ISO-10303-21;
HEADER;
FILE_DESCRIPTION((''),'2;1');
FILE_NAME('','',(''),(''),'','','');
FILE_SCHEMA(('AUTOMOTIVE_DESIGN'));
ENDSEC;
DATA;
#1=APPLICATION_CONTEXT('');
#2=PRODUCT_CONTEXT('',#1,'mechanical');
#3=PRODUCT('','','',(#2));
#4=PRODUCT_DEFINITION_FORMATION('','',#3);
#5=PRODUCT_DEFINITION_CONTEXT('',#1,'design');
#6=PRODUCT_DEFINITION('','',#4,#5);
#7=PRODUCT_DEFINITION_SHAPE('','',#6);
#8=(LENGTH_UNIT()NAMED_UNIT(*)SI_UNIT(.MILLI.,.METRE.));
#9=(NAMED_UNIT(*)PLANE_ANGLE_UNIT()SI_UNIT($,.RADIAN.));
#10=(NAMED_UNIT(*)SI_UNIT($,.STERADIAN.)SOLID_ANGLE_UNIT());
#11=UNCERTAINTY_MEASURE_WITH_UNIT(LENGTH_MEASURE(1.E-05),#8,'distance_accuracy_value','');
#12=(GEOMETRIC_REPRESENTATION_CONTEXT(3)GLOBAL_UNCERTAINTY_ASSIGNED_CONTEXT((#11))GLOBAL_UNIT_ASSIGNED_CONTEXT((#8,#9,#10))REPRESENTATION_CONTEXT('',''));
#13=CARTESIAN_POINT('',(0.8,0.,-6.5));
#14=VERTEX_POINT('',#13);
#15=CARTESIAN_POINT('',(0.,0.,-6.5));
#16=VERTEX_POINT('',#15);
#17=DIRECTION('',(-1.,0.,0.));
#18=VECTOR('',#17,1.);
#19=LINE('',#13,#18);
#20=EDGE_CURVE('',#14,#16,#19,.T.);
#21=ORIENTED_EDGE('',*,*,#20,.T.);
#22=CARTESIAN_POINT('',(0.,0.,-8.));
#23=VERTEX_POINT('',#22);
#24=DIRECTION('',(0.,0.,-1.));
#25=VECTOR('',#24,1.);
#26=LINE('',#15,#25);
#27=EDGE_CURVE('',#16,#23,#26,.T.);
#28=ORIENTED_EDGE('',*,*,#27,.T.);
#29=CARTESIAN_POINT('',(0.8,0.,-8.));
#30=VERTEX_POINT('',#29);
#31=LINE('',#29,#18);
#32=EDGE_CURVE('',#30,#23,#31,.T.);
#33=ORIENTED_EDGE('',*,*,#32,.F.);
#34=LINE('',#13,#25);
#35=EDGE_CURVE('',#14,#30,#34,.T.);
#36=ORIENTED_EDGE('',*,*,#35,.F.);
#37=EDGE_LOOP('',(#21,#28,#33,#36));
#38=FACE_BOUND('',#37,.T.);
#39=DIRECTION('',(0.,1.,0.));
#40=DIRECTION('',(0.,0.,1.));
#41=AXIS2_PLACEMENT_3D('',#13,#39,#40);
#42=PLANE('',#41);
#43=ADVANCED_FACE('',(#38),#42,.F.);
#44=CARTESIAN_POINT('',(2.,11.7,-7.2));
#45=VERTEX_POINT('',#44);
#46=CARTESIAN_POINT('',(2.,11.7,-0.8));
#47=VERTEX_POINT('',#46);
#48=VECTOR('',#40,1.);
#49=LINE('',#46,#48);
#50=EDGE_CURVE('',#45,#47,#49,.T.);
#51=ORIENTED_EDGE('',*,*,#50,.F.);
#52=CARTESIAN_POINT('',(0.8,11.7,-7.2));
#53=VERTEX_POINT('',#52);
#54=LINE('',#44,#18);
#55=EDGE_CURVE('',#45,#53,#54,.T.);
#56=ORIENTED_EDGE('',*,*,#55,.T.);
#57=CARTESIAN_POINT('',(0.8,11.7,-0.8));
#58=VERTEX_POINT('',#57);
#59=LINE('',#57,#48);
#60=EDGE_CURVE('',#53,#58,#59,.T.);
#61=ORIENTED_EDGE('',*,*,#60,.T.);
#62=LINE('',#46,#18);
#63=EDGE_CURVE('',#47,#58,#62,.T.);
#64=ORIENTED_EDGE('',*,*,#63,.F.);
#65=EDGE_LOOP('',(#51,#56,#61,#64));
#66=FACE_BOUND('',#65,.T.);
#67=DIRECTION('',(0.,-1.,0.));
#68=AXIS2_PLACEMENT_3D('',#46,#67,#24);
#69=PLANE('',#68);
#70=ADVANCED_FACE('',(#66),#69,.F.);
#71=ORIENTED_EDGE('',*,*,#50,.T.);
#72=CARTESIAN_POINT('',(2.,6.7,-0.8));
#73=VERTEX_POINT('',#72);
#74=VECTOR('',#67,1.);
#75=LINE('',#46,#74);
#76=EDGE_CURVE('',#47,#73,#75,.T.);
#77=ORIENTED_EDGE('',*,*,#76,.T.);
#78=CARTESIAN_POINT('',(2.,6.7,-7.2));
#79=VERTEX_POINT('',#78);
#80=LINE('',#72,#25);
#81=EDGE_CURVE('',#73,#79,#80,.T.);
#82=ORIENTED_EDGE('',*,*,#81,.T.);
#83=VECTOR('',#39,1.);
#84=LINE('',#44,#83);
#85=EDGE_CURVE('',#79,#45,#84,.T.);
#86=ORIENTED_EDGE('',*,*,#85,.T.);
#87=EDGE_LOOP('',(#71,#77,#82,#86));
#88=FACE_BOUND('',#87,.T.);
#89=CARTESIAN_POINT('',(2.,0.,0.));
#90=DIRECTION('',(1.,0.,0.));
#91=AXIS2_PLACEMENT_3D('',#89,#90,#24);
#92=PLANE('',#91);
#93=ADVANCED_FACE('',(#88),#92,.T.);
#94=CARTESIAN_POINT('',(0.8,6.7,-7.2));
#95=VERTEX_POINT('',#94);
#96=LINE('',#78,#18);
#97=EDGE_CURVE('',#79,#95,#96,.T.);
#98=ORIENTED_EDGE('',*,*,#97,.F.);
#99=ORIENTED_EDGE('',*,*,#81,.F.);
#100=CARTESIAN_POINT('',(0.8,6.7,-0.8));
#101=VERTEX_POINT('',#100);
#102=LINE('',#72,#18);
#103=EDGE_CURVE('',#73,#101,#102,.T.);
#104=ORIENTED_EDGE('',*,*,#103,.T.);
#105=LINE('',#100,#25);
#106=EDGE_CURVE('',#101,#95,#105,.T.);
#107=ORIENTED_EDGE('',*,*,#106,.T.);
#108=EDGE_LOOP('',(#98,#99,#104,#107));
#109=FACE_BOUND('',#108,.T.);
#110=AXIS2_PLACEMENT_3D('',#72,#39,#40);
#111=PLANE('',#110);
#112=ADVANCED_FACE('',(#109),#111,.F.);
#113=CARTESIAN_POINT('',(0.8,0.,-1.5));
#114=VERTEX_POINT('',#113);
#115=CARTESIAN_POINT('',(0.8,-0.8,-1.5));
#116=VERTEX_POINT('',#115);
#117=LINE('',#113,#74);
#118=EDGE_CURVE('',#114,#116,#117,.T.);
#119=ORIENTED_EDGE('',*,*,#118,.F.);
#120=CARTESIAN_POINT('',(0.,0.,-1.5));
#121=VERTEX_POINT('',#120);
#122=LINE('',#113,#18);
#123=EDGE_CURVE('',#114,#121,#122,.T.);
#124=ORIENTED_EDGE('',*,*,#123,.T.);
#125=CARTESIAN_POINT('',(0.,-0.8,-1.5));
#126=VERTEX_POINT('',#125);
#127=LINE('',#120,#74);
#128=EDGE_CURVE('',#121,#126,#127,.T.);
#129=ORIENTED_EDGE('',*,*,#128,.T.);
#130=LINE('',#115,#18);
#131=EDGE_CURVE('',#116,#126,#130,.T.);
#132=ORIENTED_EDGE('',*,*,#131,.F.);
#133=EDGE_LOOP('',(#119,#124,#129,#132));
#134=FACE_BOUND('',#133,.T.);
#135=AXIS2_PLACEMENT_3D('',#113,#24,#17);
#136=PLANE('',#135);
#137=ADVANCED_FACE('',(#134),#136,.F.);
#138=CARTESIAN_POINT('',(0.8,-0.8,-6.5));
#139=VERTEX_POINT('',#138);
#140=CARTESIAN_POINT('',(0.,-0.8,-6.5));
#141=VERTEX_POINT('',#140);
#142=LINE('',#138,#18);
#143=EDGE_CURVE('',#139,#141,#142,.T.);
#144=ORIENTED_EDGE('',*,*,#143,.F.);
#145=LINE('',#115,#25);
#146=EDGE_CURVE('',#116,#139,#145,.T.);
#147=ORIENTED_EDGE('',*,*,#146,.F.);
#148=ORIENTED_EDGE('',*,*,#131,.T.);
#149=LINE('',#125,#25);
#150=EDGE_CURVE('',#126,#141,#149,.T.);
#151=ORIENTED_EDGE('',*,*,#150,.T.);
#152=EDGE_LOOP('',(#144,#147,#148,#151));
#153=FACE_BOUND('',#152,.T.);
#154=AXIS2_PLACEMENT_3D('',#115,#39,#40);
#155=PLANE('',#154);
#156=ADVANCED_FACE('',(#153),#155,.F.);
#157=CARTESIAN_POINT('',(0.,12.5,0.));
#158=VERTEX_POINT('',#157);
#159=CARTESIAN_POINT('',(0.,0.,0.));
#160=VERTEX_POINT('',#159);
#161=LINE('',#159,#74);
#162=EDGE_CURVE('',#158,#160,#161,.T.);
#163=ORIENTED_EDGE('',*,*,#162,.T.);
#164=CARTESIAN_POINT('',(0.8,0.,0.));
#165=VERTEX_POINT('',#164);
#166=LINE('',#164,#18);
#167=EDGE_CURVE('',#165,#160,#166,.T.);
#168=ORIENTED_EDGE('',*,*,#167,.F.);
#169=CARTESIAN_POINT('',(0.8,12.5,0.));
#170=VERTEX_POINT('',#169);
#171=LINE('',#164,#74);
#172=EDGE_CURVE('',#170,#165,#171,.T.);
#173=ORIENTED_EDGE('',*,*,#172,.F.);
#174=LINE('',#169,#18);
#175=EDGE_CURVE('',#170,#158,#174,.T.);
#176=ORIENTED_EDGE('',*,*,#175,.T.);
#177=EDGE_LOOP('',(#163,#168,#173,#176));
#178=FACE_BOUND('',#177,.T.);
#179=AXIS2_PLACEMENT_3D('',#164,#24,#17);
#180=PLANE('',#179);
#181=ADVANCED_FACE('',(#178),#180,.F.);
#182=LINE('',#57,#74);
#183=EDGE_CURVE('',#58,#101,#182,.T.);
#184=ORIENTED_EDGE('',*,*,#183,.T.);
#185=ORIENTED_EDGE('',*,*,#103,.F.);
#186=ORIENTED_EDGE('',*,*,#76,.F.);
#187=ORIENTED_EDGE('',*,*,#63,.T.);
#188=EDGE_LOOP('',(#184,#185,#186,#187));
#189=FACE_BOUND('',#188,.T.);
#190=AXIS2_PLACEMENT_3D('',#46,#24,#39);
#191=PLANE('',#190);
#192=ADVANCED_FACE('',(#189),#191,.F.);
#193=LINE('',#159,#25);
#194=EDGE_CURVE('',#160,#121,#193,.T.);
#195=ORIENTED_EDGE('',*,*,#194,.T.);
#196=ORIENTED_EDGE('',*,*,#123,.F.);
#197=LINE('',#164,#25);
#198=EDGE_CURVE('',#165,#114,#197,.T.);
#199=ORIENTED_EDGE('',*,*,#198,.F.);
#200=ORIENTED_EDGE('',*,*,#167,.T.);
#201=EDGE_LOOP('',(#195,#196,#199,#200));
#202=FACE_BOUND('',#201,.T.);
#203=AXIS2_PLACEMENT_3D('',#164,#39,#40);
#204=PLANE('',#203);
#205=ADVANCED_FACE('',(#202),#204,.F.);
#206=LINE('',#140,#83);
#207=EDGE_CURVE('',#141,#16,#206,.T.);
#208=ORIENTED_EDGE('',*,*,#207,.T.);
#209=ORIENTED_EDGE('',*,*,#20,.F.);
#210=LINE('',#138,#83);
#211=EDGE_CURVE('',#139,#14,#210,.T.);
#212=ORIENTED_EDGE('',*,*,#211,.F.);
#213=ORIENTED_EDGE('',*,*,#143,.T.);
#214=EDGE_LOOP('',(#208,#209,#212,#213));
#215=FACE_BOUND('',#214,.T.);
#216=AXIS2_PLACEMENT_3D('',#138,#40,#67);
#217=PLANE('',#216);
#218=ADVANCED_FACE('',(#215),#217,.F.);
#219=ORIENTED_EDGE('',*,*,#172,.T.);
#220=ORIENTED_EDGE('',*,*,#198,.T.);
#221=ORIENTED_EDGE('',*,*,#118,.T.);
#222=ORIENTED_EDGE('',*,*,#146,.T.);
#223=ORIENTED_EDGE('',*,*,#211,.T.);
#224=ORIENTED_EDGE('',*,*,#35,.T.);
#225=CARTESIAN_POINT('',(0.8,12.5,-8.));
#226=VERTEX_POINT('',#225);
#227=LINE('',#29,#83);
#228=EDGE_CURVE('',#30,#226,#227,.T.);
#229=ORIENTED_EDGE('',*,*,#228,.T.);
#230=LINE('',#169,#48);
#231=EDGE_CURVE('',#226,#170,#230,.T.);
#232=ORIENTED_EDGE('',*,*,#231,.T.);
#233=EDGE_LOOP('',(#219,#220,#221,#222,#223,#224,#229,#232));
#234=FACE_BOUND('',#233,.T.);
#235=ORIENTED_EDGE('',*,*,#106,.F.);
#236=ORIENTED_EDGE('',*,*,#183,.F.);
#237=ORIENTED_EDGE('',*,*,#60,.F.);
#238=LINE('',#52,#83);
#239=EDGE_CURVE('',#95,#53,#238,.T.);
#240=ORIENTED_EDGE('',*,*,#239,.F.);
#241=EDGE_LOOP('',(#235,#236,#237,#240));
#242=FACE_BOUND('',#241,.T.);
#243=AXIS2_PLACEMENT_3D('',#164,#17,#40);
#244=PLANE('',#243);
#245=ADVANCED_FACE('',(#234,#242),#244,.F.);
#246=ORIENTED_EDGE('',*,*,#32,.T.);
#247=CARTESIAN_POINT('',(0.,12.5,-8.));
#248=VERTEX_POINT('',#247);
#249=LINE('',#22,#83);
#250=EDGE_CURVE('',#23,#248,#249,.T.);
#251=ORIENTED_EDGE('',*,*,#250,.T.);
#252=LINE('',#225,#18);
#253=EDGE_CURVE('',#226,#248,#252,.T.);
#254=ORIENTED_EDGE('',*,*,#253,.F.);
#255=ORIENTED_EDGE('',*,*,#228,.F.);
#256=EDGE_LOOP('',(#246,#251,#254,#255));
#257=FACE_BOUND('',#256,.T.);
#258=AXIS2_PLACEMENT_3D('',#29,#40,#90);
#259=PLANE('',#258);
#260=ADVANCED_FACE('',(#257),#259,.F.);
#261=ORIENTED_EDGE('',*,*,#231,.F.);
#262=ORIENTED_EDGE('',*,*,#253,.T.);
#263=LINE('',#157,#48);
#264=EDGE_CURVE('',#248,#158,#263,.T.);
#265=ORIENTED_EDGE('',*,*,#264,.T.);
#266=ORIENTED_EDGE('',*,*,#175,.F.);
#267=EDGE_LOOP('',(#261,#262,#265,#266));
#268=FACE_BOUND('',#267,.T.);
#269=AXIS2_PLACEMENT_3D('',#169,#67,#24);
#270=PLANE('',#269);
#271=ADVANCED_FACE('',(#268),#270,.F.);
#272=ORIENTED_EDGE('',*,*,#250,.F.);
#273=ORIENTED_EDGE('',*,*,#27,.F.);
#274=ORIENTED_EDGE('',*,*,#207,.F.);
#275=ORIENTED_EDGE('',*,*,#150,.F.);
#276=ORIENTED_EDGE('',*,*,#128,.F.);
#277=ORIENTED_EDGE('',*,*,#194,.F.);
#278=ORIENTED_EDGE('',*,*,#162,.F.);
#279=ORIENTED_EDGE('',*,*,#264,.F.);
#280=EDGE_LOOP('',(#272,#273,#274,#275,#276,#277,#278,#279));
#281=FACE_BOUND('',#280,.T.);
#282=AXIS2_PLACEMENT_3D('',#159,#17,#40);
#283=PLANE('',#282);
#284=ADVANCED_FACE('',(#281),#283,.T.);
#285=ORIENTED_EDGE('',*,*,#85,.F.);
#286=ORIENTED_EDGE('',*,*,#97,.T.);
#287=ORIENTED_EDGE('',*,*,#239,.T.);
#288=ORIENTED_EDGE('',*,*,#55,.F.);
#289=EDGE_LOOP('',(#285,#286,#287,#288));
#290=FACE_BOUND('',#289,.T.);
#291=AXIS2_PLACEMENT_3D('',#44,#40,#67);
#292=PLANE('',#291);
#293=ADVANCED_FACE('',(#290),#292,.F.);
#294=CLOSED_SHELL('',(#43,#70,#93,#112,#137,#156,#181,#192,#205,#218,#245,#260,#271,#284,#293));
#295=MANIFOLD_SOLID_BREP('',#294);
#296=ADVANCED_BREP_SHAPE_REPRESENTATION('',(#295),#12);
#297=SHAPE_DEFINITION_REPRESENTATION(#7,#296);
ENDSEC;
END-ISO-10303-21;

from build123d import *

# Parameters (mm, degrees)
RESSALTO_EXTRUS_O1_DEPTH = 0.8
ESBO_O2_W                = 6.4
ESBO_O2_H                = 5
RESSALTO_EXTRUS_O2_DEPTH = 1.2


with BuildPart() as part:
    # Esboço1 → Ressalto-extrusão1 (new body)
    with BuildSketch(Plane(origin=(0, 0, 0), x_dir=(0, 0, -1), z_dir=(1, 0, 0))):
        Polygon((0, 0), (1.5, 0), (1.5, -0.8), (6.5, -0.8), (6.5, 0), (8, 0), (8, 12.5), (0, 12.5), align=None)
    extrude(amount=RESSALTO_EXTRUS_O1_DEPTH)

    # Esboço2 → Ressalto-extrusão2 (add)
    with BuildSketch(Plane(origin=(0.8, 0, 0), x_dir=(0, 0, -1), z_dir=(1, 0, 0))):
        with Locations((4, 9.2)):
            Rectangle(ESBO_O2_W, ESBO_O2_H)
    extrude(amount=RESSALTO_EXTRUS_O2_DEPTH)


solid = part.part
